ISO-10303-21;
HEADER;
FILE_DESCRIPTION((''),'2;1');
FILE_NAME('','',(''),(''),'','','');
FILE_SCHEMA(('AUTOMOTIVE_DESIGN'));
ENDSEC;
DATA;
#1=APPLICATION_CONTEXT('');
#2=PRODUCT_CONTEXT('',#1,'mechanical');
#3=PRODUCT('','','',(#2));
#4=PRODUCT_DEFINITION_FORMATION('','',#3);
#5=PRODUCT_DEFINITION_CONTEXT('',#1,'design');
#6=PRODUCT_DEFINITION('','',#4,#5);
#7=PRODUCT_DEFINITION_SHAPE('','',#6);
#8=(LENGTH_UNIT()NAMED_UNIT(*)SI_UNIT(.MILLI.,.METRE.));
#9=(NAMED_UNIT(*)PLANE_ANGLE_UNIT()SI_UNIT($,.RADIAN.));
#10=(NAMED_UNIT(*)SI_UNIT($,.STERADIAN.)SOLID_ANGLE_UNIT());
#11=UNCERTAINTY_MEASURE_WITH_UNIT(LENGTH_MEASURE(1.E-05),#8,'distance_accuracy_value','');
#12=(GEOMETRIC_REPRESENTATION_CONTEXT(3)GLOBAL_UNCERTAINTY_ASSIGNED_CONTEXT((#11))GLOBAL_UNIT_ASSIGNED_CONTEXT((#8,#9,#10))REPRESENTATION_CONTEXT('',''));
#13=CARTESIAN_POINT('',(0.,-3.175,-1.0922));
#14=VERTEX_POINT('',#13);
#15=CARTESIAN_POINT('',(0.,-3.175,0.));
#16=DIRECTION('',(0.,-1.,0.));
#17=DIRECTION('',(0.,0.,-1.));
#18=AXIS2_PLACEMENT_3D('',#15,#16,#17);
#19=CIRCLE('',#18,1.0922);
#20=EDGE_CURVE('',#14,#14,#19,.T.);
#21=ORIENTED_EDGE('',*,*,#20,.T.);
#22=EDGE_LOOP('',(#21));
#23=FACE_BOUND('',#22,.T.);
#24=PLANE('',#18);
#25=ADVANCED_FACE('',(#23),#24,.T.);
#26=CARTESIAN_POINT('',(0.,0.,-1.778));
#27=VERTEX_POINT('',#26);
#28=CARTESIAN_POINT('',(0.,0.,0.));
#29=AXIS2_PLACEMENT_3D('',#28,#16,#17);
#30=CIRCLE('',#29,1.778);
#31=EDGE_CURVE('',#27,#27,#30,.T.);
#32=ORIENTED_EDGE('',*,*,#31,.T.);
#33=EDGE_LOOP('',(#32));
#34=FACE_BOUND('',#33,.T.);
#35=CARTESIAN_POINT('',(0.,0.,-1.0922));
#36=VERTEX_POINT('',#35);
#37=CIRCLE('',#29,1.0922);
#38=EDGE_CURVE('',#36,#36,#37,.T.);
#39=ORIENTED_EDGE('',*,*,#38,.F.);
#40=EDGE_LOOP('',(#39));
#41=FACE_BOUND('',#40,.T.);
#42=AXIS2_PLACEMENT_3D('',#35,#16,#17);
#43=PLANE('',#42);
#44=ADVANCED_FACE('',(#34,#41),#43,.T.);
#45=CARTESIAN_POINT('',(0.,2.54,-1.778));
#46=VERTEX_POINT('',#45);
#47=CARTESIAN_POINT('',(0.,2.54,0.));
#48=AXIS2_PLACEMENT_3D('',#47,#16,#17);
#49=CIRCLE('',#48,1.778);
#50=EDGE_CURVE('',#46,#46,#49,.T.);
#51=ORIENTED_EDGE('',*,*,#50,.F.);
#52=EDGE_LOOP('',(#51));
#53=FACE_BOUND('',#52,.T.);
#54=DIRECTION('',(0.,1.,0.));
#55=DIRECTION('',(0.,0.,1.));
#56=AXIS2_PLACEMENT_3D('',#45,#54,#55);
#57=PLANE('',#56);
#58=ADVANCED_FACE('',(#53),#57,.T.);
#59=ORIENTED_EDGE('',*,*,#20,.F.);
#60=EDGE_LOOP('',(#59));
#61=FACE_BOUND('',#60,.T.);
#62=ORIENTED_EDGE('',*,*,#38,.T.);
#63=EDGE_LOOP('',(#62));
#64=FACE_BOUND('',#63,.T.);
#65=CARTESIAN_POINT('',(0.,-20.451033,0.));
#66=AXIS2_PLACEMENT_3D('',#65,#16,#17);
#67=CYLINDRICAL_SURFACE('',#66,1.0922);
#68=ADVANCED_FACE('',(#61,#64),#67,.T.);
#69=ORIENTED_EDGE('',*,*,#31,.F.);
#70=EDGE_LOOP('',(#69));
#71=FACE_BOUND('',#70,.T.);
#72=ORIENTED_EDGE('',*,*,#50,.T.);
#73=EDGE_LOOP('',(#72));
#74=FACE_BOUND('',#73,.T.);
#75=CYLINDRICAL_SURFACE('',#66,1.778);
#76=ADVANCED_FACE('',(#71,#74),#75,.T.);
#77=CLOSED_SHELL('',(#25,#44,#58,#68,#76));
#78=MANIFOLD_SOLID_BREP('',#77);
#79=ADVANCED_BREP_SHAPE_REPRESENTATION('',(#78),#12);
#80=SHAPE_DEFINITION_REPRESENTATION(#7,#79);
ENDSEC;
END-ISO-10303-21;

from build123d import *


with BuildPart() as part:
    # Sketch1 → Revolve1 (revolve)
    with BuildSketch(Plane(origin=(0, 0, 0), x_dir=(0, 0, -1), z_dir=(1, 0, 0))):
        Polygon((0, 2.54), (0, -3.175), (1.0922, -3.175), (1.0922, 0), (1.778, 0), (1.778, 2.54), align=None)
    revolve(axis=Axis((0, -20.451032784, 0), (0, 1, 0)))


solid = part.part
